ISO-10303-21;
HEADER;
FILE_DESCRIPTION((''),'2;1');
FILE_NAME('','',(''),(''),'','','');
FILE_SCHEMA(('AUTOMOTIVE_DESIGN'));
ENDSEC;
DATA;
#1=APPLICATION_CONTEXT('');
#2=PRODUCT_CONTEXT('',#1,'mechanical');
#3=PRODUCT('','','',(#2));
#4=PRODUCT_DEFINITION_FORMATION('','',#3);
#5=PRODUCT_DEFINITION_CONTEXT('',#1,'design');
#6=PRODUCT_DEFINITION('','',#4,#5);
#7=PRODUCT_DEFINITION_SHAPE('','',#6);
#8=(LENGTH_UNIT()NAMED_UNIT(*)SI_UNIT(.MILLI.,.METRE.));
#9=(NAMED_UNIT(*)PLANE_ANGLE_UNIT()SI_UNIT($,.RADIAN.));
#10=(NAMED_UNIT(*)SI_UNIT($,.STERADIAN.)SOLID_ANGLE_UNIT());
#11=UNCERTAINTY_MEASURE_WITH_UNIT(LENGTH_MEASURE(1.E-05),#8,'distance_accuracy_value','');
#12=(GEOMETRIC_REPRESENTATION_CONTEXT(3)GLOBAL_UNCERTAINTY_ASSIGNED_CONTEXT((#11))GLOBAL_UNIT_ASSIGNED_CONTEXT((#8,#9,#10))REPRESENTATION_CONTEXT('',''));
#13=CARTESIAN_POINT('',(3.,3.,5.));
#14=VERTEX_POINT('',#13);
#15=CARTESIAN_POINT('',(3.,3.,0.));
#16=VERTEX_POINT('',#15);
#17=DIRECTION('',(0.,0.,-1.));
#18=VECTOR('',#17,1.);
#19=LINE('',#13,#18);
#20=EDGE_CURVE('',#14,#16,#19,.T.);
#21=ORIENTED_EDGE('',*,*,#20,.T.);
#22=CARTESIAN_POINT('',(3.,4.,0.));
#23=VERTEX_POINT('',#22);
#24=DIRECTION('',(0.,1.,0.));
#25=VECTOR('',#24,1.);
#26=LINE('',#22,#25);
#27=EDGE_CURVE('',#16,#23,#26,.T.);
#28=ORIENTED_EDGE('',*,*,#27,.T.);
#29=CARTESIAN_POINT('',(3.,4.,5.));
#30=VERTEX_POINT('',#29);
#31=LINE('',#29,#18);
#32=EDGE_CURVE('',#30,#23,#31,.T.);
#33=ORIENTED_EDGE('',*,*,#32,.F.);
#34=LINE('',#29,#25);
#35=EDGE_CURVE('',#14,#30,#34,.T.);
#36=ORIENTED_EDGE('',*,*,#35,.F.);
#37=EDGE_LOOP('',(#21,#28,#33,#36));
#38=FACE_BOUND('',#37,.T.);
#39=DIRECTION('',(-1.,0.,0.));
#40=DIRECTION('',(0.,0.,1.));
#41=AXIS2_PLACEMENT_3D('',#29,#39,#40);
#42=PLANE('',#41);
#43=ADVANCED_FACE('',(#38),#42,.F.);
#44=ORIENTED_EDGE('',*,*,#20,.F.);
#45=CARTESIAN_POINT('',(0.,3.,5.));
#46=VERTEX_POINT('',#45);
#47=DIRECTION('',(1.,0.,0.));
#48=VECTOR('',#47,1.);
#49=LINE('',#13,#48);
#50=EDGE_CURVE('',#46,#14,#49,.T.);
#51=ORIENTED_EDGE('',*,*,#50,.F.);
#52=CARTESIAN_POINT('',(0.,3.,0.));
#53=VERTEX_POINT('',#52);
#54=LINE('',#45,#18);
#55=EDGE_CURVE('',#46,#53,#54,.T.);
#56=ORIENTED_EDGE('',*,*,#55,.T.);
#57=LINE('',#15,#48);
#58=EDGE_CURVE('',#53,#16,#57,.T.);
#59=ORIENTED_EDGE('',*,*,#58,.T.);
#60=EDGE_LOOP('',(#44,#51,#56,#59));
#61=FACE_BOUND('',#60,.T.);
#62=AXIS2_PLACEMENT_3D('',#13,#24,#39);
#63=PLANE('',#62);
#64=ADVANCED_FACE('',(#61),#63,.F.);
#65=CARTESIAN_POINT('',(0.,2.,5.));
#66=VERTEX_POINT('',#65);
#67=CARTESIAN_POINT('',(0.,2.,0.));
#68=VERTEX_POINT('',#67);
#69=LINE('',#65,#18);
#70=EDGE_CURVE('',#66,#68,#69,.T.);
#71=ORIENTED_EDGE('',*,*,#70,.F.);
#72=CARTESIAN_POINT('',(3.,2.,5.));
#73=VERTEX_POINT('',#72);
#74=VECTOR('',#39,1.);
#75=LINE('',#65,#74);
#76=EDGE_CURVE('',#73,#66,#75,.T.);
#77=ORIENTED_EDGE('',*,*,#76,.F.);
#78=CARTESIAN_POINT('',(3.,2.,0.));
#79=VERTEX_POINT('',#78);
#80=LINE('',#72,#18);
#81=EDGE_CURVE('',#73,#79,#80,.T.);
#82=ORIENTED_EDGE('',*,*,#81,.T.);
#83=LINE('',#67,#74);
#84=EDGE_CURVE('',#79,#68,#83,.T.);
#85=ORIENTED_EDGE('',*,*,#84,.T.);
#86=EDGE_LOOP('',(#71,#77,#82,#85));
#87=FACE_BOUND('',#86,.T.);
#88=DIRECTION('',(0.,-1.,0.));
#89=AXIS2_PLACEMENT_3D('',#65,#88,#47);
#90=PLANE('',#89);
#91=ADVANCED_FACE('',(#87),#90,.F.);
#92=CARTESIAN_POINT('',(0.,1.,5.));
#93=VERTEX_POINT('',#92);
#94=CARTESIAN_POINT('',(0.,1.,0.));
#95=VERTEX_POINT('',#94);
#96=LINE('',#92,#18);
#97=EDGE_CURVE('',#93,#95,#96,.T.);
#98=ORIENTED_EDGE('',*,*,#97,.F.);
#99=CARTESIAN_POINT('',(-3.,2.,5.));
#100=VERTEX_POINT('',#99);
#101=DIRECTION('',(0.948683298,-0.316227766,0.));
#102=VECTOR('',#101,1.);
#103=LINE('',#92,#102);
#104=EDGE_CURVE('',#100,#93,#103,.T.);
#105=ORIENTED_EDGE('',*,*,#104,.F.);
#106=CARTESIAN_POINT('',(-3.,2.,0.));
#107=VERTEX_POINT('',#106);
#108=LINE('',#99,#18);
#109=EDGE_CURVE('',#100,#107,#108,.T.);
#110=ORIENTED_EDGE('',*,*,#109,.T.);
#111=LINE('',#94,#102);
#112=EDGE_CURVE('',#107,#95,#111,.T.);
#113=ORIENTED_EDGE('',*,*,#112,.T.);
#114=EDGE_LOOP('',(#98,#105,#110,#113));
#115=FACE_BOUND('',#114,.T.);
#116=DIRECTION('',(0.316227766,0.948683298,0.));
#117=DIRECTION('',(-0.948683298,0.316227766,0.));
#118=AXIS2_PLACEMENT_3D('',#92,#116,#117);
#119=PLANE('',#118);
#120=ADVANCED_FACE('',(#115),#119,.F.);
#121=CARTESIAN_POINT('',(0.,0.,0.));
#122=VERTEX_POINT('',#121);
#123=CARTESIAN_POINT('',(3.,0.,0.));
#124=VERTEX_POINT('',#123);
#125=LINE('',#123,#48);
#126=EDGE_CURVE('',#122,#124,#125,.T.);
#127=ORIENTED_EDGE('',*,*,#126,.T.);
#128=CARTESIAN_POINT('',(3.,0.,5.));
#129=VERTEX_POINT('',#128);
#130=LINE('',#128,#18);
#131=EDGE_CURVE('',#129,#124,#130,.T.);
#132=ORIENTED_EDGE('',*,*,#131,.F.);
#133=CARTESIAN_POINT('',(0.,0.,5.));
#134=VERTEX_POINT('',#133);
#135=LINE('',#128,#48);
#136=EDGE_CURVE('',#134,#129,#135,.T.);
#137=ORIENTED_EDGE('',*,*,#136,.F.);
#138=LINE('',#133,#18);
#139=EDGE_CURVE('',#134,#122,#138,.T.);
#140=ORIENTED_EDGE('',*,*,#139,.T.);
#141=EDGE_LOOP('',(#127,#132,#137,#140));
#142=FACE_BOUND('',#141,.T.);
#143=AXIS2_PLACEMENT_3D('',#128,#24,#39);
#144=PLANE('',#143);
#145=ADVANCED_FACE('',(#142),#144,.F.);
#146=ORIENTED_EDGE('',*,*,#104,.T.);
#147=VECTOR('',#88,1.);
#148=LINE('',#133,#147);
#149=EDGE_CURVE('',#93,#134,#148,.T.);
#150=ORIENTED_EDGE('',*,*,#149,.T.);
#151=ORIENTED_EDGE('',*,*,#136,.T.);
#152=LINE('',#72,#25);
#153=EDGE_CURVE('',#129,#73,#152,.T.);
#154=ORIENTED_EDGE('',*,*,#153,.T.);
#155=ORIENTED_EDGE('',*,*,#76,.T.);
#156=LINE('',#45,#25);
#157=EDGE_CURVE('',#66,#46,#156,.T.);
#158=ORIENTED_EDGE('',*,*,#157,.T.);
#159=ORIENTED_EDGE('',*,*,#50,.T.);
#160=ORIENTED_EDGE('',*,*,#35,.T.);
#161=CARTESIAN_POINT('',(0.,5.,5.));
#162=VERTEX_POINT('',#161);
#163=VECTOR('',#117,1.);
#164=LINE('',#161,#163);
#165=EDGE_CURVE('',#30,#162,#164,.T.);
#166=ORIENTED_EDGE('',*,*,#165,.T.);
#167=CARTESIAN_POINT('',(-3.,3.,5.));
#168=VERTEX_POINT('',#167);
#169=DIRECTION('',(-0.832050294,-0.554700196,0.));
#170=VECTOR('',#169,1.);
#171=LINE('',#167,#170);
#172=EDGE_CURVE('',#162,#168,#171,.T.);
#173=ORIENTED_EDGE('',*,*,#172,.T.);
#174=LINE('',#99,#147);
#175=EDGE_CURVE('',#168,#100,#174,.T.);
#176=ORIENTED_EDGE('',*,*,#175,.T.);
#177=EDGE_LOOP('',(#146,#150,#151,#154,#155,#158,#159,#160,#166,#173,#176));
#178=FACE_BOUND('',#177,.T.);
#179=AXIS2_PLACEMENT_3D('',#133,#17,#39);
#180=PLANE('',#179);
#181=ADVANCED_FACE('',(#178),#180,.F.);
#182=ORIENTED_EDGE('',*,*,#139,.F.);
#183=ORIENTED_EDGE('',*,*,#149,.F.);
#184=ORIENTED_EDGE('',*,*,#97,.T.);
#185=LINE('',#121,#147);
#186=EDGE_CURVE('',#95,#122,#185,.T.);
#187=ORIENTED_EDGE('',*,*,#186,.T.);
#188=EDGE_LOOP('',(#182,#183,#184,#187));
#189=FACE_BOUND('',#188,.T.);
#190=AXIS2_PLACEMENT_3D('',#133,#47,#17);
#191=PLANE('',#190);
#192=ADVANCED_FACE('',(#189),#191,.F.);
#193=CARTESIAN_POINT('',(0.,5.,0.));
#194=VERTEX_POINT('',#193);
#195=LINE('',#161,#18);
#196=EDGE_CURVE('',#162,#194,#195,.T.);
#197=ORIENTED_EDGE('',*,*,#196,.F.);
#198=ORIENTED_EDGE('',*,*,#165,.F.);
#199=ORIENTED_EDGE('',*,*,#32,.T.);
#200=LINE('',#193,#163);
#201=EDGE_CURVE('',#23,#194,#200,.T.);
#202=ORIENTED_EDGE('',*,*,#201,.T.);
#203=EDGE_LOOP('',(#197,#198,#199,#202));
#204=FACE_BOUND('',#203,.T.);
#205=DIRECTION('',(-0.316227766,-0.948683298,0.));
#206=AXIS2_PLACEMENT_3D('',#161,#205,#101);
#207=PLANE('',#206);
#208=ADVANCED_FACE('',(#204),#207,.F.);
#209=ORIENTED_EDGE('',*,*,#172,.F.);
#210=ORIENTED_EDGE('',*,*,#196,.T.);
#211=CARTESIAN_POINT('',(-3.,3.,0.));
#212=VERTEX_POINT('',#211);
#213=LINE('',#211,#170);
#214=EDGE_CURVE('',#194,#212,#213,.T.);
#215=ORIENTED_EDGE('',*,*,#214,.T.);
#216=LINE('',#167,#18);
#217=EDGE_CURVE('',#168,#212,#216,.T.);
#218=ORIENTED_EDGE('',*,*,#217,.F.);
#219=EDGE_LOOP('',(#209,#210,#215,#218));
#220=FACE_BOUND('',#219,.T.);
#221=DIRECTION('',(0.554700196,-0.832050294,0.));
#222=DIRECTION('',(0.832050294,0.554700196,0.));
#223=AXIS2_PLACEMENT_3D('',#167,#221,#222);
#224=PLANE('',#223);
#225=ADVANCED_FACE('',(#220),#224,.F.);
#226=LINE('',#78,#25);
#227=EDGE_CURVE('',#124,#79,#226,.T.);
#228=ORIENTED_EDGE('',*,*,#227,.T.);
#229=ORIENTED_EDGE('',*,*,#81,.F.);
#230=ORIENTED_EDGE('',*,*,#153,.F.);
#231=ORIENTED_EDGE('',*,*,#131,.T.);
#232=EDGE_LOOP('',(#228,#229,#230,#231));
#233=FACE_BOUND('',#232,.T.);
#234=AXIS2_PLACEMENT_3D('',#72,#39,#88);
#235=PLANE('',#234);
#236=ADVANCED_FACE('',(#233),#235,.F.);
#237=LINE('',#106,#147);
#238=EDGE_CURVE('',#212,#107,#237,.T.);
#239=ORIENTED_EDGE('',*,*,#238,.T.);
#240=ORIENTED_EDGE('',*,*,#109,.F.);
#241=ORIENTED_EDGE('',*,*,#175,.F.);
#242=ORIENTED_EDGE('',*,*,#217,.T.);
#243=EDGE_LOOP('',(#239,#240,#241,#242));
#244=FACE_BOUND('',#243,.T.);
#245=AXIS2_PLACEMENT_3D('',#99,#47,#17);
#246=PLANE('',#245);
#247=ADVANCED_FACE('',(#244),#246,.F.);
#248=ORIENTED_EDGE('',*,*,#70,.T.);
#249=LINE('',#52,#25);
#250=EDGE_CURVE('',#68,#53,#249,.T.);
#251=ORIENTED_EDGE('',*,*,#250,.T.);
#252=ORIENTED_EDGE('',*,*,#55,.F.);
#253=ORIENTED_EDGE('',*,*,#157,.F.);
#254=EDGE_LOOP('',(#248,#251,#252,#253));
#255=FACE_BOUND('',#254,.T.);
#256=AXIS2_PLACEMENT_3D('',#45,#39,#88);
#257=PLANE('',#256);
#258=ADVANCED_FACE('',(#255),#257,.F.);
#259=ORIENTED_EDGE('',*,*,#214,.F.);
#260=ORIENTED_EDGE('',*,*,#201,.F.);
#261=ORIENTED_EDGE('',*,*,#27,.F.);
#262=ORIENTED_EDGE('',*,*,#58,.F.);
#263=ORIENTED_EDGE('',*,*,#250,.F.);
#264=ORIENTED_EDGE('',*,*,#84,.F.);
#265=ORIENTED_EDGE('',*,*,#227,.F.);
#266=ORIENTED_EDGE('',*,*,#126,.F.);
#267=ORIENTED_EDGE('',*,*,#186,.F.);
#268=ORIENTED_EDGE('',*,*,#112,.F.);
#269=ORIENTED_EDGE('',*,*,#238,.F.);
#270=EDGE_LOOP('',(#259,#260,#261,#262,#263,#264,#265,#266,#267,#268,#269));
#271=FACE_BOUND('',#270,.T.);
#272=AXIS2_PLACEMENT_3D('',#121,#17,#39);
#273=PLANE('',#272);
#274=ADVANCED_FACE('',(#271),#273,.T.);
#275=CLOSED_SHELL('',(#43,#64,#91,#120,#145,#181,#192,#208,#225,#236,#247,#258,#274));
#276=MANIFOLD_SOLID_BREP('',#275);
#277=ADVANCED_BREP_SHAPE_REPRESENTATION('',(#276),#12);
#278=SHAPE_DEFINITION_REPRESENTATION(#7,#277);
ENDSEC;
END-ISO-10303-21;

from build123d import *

# Parameters (mm, degrees)
BOSS_EXTRUDE16_DEPTH = 5


with BuildPart() as part:
    # Sketch26 → Boss-Extrude16 (new body)
    with BuildSketch(Plane.XY):
        Polygon((0, 0), (0, 1), (-3, 2), (-3, 3), (0, 5), (3, 4), (3, 3), (0, 3), (0, 2), (3, 2), (3, 0), align=None)
    extrude(amount=BOSS_EXTRUDE16_DEPTH)


solid = part.part
